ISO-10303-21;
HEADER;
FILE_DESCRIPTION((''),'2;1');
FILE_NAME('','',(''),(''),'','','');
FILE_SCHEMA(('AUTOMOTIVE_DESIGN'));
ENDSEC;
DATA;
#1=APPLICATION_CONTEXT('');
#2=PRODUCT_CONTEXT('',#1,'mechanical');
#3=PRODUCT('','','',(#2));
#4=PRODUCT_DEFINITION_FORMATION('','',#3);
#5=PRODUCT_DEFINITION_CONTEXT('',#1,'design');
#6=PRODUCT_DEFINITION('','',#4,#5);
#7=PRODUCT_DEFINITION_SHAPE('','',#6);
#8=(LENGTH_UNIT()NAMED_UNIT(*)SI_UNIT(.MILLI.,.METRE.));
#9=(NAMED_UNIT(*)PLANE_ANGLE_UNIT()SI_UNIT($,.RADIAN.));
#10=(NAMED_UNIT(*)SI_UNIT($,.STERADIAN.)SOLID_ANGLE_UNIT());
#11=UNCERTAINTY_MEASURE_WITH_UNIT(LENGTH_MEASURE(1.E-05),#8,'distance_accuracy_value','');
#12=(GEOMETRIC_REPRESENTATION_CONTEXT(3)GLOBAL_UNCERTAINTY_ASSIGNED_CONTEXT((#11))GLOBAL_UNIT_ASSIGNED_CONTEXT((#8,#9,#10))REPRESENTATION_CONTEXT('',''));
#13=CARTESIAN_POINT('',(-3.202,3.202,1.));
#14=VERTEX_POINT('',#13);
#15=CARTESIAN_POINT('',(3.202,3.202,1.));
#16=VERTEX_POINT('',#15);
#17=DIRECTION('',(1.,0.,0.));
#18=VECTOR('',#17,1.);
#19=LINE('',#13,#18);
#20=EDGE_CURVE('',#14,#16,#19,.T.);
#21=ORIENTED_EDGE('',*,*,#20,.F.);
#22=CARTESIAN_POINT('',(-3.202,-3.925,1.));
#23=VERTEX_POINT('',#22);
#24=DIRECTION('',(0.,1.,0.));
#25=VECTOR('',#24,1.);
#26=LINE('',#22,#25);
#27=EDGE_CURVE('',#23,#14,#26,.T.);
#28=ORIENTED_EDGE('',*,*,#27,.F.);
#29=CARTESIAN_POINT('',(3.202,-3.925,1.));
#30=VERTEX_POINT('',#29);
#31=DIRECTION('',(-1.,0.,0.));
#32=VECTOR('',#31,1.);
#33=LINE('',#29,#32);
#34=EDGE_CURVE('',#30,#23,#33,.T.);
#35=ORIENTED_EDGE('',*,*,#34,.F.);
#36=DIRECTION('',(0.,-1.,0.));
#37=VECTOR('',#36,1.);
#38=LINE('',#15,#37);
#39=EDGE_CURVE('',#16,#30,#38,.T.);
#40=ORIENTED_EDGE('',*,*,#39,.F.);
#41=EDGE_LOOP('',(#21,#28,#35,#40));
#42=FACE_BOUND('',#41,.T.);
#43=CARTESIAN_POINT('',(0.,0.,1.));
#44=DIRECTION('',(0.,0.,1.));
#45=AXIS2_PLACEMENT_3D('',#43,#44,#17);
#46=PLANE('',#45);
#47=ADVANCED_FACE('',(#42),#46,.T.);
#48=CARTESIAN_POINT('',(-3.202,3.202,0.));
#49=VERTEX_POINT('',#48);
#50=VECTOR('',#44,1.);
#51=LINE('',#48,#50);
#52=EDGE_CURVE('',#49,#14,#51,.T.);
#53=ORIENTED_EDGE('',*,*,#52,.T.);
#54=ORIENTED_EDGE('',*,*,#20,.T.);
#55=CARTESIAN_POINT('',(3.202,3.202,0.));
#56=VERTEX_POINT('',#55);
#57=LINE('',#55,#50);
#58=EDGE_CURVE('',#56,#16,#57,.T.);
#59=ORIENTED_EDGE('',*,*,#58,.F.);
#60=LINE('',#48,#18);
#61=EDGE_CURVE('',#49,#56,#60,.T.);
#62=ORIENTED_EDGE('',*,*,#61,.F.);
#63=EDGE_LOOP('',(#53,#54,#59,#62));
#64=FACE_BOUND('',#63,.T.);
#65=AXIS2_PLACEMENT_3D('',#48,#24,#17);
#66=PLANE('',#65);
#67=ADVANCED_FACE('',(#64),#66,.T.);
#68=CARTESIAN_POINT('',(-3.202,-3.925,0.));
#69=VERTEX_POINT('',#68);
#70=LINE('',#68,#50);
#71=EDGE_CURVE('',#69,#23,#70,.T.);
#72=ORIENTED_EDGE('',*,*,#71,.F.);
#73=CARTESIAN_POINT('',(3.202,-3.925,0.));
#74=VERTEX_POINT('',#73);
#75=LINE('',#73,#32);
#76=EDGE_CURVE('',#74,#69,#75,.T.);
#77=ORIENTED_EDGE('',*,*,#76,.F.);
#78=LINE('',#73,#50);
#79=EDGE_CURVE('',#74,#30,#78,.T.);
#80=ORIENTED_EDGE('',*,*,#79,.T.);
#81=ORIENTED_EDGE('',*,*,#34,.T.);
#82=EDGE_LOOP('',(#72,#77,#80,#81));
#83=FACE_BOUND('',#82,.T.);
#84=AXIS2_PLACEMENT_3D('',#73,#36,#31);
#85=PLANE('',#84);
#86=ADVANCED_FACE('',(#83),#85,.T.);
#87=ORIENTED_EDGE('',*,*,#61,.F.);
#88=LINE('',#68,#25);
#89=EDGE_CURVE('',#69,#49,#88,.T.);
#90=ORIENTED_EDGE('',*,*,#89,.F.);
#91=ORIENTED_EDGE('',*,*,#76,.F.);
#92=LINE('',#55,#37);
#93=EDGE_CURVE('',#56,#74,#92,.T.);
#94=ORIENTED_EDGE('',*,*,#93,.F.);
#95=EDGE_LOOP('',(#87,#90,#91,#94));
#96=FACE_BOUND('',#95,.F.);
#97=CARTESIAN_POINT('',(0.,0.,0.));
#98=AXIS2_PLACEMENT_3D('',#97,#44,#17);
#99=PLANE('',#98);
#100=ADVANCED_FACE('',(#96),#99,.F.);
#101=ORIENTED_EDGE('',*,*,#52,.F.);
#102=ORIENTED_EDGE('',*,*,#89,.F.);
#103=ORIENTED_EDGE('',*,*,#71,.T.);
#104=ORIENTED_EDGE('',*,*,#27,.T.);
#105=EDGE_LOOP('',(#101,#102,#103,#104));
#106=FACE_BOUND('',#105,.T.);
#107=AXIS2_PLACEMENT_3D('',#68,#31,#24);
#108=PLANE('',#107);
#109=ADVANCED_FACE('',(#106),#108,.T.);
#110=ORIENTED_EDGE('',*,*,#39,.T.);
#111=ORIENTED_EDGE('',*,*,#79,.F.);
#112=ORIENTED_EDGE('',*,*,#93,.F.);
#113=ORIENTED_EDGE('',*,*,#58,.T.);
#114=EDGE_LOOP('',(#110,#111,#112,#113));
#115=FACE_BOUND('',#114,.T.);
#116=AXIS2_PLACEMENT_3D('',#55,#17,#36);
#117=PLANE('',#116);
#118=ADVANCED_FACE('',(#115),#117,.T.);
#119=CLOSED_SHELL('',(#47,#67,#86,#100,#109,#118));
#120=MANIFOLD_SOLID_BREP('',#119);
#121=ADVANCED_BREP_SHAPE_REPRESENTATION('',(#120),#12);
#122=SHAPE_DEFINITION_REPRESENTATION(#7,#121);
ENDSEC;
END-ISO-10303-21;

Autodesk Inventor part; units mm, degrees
ref_plane "YZ Plane" through (0, 0, 0) normal (1, 0, 0) x (0, 1, 0)
ref_plane "XZ Plane" through (0, 0, 0) normal (0, 1, 0) x (-1, 0, 0)
ref_plane "XY Plane" through (0, 0, 0) normal (0, 0, 1) x (1, 0, 0)
sketch "QFN32, LAN8710A_QFN32_127" plane through (0, 0, 0) normal (0, 0, 1) x (1, 0, 0)
  line L0 (-3.202, -3.925) -> (-3.202, 3.202)
  line L1 (-3.202, 3.202) -> (3.202, 3.202)
  line L2 (3.202, 3.202) -> (3.202, -3.925)
  line L3 (3.202, -3.925) -> (-3.202, -3.925)
extrude "Extrusion1" add sketch "QFN32, LAN8710A_QFN32_127" along normal blind 1
properties part number "LAN8710A_QFN32"
